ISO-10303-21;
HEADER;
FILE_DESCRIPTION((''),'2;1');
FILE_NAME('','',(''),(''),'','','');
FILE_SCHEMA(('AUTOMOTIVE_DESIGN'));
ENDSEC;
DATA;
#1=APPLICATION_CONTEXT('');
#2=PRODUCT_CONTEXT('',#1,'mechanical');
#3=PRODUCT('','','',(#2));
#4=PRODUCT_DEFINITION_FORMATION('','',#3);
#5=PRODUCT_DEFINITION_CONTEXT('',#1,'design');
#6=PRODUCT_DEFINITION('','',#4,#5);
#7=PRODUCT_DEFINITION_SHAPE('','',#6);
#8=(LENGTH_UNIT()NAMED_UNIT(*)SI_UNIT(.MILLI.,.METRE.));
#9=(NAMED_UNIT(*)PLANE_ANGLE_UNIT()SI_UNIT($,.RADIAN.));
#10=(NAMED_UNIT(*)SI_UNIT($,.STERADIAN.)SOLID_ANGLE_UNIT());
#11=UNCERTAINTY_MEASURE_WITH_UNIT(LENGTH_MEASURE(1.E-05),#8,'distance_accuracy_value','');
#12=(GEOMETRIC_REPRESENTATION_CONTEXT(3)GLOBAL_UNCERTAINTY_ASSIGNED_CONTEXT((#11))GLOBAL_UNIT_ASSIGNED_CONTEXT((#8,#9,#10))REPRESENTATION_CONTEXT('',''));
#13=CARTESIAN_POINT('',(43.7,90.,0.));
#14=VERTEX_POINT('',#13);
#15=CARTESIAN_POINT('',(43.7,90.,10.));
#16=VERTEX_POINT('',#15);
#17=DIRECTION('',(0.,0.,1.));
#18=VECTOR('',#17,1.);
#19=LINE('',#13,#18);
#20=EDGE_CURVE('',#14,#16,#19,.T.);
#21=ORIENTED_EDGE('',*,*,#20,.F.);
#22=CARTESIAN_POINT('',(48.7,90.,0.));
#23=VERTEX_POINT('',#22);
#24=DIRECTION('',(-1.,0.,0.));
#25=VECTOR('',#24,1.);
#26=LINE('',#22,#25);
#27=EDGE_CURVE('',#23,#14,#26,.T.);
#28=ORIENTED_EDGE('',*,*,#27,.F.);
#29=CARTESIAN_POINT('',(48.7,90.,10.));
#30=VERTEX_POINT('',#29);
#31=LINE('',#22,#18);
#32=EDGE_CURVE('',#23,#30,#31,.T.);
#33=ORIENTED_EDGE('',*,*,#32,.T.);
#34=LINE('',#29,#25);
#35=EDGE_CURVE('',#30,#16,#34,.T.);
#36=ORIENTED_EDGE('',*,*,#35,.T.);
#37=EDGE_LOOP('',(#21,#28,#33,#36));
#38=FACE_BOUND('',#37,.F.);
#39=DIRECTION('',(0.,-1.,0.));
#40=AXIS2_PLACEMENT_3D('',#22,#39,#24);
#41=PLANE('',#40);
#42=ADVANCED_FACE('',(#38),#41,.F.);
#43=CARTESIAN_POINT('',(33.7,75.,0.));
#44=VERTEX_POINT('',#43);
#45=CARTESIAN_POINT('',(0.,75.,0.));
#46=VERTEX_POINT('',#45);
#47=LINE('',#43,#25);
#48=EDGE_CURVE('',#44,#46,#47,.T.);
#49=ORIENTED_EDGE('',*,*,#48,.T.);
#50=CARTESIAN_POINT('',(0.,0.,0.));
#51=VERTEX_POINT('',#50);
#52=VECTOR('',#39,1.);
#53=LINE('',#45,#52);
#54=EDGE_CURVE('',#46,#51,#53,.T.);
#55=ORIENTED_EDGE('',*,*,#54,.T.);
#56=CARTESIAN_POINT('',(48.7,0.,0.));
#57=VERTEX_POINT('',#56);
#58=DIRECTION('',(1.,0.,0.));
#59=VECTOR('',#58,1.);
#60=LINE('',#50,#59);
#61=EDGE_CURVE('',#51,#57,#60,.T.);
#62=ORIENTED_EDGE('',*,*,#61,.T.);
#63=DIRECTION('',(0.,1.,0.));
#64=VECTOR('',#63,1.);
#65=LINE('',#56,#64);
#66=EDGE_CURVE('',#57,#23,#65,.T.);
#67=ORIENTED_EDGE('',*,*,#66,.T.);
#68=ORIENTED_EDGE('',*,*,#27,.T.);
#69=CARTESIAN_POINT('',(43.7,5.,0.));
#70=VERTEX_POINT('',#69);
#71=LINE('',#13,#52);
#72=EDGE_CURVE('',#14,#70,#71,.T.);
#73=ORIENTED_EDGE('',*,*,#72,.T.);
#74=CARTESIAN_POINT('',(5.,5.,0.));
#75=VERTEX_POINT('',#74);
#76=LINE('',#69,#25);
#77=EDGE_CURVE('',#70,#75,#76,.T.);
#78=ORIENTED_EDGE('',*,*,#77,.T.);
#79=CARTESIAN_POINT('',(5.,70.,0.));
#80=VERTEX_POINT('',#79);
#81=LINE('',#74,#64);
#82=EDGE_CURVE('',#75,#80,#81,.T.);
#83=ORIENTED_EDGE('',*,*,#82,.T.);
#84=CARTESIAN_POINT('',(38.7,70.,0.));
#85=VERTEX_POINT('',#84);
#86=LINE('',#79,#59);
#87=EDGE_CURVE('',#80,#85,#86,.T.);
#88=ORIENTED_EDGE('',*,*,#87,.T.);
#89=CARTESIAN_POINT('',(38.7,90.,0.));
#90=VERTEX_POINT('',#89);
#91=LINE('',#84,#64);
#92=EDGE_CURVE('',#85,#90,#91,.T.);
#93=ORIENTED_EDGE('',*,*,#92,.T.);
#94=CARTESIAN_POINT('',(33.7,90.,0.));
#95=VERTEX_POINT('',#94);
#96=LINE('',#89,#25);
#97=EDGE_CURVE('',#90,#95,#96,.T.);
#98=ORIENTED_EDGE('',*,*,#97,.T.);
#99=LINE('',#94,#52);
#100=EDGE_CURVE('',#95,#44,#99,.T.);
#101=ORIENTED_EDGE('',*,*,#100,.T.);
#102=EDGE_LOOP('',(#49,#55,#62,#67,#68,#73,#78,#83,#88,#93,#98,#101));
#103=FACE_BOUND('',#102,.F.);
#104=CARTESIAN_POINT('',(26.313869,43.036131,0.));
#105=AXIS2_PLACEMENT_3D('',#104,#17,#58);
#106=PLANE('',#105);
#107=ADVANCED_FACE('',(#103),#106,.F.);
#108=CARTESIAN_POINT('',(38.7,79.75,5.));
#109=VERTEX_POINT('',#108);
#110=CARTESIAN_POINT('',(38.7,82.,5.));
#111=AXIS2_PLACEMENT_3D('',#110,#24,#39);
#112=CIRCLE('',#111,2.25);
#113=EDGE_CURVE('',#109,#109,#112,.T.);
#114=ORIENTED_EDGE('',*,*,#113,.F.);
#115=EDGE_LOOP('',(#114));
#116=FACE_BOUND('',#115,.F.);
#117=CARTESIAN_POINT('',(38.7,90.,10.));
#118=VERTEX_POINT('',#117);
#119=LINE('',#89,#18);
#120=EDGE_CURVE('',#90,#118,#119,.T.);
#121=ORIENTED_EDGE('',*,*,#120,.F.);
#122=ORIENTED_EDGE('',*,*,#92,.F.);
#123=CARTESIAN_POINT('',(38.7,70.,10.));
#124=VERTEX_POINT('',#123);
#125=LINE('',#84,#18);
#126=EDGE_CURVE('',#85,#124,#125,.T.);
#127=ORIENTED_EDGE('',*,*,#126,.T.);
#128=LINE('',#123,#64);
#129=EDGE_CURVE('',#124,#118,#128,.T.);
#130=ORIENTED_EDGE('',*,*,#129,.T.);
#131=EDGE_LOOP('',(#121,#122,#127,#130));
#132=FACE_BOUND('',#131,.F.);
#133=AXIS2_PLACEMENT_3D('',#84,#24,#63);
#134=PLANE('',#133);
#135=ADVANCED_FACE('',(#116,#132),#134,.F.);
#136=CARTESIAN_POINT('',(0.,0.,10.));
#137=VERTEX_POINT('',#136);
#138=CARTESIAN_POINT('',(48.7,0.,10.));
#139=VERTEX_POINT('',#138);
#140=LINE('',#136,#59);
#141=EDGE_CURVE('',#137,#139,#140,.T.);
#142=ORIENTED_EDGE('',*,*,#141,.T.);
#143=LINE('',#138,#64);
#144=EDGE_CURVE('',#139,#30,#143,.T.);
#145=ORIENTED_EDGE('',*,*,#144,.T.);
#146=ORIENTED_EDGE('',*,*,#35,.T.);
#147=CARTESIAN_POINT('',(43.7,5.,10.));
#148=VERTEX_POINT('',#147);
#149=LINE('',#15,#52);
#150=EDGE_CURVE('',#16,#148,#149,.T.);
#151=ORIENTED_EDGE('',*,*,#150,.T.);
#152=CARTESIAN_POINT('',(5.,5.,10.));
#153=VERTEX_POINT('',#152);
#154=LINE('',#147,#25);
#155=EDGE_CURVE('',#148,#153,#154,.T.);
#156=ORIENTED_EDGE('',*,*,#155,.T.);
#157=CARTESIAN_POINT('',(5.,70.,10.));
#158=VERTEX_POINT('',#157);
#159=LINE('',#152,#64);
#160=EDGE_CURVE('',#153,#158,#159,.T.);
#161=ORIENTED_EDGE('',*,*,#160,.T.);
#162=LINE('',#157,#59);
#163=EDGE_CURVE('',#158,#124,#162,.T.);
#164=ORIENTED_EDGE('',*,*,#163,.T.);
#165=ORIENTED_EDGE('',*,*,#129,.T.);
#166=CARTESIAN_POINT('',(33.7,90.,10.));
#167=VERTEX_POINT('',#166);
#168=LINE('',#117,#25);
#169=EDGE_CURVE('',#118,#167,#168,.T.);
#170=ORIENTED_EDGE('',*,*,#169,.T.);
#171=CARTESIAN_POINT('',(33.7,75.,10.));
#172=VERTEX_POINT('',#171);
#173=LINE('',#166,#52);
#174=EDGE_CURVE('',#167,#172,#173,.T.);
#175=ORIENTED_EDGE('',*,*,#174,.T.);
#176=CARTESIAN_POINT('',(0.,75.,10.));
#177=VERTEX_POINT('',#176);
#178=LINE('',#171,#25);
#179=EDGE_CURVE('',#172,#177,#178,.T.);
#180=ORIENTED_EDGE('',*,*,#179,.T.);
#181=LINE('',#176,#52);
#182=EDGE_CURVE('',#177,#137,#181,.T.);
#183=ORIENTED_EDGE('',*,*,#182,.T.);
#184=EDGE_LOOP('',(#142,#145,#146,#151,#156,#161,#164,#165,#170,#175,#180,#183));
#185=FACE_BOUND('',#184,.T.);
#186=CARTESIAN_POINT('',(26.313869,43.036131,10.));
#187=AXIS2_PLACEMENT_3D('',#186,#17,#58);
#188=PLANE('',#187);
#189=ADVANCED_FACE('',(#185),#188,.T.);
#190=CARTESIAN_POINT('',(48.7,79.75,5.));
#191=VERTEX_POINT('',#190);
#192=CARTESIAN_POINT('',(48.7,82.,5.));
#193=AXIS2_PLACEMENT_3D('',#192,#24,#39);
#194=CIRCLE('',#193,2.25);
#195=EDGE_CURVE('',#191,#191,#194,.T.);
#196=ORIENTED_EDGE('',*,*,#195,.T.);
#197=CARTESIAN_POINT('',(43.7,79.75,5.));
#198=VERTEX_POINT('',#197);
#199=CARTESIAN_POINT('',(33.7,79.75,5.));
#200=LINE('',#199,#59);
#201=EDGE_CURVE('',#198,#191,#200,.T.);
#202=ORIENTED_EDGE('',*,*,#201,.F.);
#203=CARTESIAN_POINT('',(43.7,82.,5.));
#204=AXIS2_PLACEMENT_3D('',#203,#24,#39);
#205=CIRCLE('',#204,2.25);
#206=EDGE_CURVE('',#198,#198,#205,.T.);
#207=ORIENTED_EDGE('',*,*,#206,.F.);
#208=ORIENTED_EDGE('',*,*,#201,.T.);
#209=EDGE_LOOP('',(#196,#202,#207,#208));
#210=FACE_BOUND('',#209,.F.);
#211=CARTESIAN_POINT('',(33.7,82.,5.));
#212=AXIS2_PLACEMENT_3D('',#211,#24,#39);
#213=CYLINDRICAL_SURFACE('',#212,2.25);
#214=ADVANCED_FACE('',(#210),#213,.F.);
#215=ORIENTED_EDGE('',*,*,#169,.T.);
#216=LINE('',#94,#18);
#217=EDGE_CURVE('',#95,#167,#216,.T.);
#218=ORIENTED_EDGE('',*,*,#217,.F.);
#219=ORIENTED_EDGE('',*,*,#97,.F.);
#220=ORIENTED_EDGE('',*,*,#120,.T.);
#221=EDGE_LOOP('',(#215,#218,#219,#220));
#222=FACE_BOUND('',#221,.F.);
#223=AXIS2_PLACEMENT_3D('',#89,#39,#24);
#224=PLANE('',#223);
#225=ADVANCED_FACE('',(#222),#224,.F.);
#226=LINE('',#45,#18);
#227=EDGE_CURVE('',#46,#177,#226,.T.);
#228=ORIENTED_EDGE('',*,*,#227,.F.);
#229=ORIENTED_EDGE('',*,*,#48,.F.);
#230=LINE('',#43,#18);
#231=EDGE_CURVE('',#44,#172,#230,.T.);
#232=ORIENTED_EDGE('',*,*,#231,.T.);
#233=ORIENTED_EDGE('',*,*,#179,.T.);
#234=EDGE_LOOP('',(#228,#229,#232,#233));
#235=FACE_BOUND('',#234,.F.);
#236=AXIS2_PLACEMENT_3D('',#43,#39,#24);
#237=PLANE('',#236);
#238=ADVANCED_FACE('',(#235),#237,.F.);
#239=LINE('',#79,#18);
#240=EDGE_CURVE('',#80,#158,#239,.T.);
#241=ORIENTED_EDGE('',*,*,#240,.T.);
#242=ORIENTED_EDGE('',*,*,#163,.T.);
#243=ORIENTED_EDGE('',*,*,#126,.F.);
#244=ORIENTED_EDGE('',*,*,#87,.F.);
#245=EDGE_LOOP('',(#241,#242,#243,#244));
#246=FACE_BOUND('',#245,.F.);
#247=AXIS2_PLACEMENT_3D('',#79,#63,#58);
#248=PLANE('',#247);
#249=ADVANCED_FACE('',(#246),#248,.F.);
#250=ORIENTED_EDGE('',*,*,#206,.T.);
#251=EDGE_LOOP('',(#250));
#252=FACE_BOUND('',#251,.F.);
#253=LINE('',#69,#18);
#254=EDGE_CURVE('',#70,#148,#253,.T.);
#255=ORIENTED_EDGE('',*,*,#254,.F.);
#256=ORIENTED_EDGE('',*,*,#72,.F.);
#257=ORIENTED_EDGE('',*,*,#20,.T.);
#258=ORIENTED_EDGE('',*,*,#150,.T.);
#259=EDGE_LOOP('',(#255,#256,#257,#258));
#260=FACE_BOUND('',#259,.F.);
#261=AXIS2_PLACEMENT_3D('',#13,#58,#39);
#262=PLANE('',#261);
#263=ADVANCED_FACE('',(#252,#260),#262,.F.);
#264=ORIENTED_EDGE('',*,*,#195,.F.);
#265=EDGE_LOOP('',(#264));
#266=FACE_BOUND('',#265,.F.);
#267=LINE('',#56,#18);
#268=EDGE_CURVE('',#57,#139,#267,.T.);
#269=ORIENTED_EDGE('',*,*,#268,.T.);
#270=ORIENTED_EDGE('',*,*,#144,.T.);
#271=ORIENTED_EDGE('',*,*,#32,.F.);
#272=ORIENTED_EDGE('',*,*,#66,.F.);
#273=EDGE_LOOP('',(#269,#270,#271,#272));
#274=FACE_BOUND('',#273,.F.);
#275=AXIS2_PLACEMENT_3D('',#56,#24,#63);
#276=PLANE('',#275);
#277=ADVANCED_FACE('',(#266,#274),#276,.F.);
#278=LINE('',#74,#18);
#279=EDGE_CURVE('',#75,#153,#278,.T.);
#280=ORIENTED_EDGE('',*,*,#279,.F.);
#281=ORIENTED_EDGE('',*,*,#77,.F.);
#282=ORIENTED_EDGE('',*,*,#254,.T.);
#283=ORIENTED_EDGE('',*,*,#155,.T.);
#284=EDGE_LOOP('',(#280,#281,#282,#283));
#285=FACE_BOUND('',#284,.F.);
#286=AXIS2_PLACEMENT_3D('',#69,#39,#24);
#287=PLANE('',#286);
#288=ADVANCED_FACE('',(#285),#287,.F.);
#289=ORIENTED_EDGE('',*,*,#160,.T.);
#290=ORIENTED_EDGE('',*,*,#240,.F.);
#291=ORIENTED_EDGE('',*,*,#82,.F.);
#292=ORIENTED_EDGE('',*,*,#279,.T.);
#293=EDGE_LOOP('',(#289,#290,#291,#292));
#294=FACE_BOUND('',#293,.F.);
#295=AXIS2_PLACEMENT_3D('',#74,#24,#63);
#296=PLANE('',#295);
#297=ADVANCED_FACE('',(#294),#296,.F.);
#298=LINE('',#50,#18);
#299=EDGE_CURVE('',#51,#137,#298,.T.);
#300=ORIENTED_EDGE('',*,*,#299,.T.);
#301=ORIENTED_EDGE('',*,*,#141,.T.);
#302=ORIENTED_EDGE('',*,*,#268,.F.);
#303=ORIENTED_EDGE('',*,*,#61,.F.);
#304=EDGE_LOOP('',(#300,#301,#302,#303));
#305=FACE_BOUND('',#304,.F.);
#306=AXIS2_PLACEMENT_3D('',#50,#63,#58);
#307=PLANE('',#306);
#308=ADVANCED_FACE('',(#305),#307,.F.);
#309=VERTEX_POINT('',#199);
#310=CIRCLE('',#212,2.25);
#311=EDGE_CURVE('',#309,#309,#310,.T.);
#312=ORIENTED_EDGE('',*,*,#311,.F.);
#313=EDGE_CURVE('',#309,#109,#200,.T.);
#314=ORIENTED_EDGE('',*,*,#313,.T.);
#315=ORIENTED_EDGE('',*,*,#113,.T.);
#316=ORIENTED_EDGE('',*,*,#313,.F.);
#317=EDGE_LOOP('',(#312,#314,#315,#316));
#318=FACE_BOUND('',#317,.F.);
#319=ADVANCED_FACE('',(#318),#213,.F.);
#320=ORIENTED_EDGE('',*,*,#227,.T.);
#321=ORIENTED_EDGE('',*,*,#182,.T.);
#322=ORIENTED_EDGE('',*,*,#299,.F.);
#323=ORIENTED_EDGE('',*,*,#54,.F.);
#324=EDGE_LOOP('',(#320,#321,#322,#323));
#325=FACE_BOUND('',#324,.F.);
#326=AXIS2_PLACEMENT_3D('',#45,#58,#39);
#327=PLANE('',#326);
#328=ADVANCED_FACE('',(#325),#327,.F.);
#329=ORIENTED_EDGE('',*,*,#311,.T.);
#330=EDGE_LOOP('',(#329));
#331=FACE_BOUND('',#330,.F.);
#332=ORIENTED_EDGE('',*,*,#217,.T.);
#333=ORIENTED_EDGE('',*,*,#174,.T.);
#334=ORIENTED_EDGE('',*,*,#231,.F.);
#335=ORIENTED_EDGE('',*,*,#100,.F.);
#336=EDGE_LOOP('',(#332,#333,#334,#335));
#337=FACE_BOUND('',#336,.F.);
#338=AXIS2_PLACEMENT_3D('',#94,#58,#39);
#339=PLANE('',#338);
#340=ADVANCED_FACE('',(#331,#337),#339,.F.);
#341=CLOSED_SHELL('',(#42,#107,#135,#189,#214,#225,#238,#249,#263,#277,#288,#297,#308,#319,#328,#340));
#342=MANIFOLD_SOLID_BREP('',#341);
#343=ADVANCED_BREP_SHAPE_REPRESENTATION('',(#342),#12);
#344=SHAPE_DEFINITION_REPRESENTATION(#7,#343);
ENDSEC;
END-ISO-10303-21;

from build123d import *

# Parameters (mm, degrees)
F1_DEPTH = 10
F2_R     = 2.25
F3_DEPTH = 15.001


with BuildPart() as f1:
    # F0 (on Top) → F1 (new body)
    with BuildSketch(Plane.XY):
        Polygon((0, 75), (0, 0), (48.7, 0), (48.7, 90), (43.7, 90), (43.7, 5), (5, 5), (5, 70), (38.7, 70), (38.7, 90), (33.7, 90), (33.7, 75), align=None)
    extrude(amount=F1_DEPTH)

    # F2 (on face) → F3 (cut, through all)
    with BuildSketch(Plane(origin=(33.7, 0, 0), x_dir=(0, -1, 0), z_dir=(-1, 0, 0))):
        with Locations((-82, 5)):
            Circle(F2_R)
    extrude(amount=-F3_DEPTH, mode=Mode.SUBTRACT)


solid = f1.part
